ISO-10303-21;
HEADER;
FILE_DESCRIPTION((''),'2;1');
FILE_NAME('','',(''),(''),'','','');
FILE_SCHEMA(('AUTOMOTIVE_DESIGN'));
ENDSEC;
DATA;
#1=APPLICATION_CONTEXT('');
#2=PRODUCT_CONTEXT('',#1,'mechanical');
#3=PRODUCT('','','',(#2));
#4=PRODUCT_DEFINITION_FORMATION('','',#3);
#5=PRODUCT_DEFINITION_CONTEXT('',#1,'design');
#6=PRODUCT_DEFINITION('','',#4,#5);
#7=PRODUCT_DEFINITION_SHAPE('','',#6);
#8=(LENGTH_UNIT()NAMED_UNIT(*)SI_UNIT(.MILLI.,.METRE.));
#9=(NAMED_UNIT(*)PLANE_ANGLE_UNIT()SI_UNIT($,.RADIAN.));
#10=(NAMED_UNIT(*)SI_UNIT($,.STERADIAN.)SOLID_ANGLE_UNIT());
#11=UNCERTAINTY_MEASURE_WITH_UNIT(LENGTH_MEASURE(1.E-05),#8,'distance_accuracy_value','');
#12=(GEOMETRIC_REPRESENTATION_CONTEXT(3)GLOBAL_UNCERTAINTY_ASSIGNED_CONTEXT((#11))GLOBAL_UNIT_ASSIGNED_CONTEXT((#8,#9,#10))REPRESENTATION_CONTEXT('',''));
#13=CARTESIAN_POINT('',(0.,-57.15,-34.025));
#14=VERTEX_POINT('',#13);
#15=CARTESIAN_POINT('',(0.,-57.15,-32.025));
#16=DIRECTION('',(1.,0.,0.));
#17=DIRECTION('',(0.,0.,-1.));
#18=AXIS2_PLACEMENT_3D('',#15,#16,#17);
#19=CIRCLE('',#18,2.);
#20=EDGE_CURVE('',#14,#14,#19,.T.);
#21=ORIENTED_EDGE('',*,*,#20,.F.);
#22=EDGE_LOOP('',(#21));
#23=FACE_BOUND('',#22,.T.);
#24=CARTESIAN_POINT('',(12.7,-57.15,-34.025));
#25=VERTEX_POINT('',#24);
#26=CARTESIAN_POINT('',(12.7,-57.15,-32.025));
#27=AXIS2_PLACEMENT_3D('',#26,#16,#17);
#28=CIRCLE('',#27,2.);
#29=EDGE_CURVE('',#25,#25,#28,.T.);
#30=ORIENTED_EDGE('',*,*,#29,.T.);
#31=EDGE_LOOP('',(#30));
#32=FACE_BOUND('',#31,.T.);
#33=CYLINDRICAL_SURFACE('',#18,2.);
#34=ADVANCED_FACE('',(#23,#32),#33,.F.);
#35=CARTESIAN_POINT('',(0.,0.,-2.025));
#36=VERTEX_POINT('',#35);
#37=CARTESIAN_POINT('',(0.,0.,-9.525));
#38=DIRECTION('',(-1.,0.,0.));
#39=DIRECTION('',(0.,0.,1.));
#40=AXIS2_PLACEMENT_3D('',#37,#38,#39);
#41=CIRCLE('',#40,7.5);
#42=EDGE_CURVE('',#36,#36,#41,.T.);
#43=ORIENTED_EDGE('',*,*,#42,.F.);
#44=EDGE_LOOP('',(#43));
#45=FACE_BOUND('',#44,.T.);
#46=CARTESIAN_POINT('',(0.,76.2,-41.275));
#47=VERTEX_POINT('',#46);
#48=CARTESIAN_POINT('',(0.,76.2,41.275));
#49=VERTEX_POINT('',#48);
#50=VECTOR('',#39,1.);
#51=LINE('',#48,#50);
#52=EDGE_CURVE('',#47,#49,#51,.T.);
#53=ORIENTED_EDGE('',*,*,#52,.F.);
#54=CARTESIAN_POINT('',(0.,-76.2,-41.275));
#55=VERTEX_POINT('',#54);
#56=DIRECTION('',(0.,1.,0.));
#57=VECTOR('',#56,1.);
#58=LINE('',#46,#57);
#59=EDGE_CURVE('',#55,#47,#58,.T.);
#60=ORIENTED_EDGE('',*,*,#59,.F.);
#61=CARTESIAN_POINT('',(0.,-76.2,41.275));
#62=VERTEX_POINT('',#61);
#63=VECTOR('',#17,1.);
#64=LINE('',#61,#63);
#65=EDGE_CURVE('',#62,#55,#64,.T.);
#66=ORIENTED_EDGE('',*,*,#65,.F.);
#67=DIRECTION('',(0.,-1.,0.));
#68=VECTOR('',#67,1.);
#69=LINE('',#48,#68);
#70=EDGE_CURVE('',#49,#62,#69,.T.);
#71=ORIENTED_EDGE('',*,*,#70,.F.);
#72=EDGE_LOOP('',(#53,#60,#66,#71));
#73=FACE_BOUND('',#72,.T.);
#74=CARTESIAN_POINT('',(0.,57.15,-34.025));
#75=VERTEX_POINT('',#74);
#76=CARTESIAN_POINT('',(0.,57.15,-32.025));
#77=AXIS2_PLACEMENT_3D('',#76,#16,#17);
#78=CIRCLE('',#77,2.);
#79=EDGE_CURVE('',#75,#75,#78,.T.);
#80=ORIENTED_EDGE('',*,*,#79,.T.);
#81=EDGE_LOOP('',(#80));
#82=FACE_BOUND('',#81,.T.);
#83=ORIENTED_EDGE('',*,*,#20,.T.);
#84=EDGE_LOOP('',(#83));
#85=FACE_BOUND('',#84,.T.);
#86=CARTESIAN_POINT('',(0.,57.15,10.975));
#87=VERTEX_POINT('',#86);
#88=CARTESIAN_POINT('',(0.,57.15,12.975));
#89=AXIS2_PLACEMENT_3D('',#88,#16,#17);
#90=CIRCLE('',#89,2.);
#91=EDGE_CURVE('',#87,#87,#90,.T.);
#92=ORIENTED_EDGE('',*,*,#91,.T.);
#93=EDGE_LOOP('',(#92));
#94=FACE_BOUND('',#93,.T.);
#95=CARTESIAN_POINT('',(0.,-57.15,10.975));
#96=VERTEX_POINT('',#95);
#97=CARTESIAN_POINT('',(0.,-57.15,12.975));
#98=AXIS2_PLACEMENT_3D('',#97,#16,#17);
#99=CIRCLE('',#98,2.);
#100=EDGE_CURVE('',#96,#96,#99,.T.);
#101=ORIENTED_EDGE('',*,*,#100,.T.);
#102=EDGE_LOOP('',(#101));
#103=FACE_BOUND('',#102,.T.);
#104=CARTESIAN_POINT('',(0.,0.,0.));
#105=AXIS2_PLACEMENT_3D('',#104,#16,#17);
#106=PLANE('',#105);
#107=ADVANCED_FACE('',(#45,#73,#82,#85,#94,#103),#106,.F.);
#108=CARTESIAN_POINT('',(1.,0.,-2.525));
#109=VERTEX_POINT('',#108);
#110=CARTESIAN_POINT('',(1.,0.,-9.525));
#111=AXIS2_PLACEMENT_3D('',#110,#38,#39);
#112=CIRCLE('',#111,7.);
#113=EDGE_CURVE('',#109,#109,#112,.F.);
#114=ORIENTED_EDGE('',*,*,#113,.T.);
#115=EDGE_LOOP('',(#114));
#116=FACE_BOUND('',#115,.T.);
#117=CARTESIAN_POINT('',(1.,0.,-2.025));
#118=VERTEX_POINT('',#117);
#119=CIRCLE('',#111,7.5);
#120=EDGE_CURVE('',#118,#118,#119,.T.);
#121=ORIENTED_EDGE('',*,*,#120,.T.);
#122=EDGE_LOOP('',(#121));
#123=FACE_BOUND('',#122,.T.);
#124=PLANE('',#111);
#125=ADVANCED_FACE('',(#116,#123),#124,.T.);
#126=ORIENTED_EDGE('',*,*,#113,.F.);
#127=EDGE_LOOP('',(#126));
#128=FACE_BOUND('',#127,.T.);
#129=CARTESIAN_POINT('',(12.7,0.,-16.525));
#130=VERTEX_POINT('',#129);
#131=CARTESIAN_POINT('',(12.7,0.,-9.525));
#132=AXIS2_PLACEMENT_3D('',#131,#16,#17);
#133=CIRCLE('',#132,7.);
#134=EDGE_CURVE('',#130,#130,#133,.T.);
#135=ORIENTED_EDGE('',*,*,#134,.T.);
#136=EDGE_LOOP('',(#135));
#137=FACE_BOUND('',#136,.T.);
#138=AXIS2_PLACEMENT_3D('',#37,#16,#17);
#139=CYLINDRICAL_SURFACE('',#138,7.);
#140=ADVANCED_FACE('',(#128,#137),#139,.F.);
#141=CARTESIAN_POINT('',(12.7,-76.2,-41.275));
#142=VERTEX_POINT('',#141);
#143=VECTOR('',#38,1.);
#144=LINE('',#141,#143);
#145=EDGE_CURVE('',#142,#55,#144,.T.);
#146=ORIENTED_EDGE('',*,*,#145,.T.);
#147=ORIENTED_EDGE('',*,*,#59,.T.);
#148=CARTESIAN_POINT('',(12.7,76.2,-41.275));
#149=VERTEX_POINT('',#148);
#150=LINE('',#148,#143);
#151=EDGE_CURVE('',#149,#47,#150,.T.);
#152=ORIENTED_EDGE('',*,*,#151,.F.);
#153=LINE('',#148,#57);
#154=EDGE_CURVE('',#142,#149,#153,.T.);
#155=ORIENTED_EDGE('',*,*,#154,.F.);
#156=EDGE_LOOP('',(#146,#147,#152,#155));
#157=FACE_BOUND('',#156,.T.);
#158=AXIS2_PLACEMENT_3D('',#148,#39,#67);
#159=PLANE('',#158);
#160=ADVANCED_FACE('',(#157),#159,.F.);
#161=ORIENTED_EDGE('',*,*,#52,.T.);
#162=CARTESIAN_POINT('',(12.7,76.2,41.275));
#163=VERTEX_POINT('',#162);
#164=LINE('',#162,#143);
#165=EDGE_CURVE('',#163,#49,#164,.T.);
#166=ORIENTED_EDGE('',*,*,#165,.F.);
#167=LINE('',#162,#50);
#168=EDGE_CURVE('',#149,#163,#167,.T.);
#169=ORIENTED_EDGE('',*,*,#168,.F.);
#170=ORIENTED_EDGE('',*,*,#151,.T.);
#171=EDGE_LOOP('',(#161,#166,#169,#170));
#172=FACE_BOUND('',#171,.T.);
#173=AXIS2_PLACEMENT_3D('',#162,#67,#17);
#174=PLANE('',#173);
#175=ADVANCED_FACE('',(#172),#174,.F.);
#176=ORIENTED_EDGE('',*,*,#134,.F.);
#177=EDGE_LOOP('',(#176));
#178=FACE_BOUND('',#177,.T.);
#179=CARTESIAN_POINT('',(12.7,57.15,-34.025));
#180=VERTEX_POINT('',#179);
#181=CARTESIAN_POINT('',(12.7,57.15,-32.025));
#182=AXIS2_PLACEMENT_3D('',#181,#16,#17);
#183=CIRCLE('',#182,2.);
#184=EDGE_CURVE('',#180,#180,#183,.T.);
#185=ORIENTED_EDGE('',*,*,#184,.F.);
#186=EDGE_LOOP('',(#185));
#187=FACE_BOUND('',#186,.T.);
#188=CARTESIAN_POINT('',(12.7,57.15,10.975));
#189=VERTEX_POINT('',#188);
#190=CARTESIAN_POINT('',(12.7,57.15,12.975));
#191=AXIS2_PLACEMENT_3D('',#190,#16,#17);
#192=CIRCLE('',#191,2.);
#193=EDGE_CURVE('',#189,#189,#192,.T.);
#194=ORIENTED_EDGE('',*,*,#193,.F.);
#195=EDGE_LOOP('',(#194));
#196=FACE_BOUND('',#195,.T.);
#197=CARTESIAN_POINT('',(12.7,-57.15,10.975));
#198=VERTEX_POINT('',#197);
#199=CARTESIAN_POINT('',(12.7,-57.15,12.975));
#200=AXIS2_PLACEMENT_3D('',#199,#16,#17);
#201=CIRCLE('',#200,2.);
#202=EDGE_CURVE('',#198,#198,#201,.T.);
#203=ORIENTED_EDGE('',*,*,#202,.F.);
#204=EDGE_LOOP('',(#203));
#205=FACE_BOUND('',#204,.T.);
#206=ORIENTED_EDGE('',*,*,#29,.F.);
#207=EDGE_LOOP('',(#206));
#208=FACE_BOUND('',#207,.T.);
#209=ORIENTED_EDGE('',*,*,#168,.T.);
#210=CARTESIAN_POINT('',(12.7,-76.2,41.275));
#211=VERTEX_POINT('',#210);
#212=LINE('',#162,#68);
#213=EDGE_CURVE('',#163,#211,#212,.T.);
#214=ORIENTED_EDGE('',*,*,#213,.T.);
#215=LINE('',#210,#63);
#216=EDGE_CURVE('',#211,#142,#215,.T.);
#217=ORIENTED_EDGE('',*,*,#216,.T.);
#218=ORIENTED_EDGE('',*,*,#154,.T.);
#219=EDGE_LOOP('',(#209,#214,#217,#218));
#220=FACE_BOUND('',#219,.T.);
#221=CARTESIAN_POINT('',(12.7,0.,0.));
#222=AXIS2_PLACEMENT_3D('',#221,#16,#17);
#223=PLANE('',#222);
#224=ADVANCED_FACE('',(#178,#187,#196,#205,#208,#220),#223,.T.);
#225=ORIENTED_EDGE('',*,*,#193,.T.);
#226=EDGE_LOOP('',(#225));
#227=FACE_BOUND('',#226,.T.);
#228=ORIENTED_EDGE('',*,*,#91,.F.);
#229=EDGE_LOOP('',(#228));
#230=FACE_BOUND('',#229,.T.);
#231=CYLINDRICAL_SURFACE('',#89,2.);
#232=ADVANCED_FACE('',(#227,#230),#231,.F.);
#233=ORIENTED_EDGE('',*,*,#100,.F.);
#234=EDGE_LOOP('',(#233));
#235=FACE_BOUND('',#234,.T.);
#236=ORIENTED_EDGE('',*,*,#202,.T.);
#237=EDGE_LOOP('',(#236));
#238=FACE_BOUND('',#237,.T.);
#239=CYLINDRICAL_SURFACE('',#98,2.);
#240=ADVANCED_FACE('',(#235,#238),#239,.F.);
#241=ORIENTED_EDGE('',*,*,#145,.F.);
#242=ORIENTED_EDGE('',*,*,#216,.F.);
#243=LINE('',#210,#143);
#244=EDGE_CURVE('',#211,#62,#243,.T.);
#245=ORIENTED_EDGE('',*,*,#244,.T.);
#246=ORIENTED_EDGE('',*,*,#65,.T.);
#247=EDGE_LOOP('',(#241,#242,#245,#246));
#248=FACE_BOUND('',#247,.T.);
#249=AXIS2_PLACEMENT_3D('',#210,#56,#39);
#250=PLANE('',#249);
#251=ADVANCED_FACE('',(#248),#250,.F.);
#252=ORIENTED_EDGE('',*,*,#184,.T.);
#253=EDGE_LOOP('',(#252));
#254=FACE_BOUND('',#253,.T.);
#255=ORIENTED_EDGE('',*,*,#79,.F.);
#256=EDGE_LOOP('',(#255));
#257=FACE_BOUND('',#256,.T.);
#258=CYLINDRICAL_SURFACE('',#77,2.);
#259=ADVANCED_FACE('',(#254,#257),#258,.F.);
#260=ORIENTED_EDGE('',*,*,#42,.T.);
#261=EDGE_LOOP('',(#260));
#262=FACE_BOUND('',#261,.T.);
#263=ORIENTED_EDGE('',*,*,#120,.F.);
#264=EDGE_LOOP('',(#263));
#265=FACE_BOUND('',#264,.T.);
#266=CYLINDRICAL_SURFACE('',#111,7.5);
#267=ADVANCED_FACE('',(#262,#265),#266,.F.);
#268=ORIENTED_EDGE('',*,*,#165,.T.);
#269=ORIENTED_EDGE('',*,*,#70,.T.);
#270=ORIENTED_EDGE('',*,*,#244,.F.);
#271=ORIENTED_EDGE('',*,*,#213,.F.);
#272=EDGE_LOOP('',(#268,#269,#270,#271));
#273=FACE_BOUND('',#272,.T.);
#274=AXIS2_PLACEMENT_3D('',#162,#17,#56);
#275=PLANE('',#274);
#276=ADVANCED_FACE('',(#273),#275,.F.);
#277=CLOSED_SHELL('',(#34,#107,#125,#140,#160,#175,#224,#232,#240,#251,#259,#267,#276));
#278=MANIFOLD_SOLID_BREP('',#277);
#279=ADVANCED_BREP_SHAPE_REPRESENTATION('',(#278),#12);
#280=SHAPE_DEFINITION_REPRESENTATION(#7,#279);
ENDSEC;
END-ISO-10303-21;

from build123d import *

# Parameters (mm, degrees)
ESQUISSE1_W             = 82.55
ESQUISSE1_H             = 152.4
BOSS_EXTRU_1_DEPTH      = 12.7
ESQUISSE2_R             = 2
ENL_V_MAT_EXTRU_1_DEPTH = 88.586275323
ESQUISSE3_R             = 7
ENL_V_MAT_EXTRU_2_DEPTH = 88.586275323
ESQUISSE5_R             = 7.5
ENL_V_MAT_EXTRU_4_DEPTH = 1


with BuildPart() as part:
    # Esquisse1 → Boss.-Extru.1 (new body)
    with BuildSketch(Plane(origin=(0, 0, 0), x_dir=(0, 0, -1), z_dir=(1, 0, 0))):
        Rectangle(ESQUISSE1_W, ESQUISSE1_H)
    extrude(amount=BOSS_EXTRU_1_DEPTH)

    # Esquisse2 → Enlèv. mat.-Extru.1 (cut, through all)
    with BuildSketch(Plane(origin=(12.7, 0, 0), x_dir=(0, 0, -1), z_dir=(1, 0, 0))):
        with Locations((-12.974999958, 57.15)):
            Circle(ESQUISSE2_R)
        with Locations((32.025000042, 57.15)):
            Circle(ESQUISSE2_R)
        with Locations((-12.974999958, -57.15)):
            Circle(ESQUISSE2_R)
        with Locations((32.025000042, -57.15)):
            Circle(ESQUISSE2_R)
    extrude(amount=-ENL_V_MAT_EXTRU_1_DEPTH, mode=Mode.SUBTRACT)

    # Esquisse3 → Enlèv. mat.-Extru.2 (cut, through all)
    with BuildSketch(Plane(origin=(12.7, 0, 0), x_dir=(0, 0, -1), z_dir=(1, 0, 0))):
        with Locations((9.525, 0)):
            Circle(ESQUISSE3_R)
    extrude(amount=-ENL_V_MAT_EXTRU_2_DEPTH, mode=Mode.SUBTRACT)

    # Esquisse5 → Enlèv. mat.-Extru.4 (cut)
    with BuildSketch(Plane.ZY):
        with Locations((-9.525, 0)):
            Circle(ESQUISSE5_R)
    extrude(amount=-ENL_V_MAT_EXTRU_4_DEPTH, mode=Mode.SUBTRACT)


solid = part.part
